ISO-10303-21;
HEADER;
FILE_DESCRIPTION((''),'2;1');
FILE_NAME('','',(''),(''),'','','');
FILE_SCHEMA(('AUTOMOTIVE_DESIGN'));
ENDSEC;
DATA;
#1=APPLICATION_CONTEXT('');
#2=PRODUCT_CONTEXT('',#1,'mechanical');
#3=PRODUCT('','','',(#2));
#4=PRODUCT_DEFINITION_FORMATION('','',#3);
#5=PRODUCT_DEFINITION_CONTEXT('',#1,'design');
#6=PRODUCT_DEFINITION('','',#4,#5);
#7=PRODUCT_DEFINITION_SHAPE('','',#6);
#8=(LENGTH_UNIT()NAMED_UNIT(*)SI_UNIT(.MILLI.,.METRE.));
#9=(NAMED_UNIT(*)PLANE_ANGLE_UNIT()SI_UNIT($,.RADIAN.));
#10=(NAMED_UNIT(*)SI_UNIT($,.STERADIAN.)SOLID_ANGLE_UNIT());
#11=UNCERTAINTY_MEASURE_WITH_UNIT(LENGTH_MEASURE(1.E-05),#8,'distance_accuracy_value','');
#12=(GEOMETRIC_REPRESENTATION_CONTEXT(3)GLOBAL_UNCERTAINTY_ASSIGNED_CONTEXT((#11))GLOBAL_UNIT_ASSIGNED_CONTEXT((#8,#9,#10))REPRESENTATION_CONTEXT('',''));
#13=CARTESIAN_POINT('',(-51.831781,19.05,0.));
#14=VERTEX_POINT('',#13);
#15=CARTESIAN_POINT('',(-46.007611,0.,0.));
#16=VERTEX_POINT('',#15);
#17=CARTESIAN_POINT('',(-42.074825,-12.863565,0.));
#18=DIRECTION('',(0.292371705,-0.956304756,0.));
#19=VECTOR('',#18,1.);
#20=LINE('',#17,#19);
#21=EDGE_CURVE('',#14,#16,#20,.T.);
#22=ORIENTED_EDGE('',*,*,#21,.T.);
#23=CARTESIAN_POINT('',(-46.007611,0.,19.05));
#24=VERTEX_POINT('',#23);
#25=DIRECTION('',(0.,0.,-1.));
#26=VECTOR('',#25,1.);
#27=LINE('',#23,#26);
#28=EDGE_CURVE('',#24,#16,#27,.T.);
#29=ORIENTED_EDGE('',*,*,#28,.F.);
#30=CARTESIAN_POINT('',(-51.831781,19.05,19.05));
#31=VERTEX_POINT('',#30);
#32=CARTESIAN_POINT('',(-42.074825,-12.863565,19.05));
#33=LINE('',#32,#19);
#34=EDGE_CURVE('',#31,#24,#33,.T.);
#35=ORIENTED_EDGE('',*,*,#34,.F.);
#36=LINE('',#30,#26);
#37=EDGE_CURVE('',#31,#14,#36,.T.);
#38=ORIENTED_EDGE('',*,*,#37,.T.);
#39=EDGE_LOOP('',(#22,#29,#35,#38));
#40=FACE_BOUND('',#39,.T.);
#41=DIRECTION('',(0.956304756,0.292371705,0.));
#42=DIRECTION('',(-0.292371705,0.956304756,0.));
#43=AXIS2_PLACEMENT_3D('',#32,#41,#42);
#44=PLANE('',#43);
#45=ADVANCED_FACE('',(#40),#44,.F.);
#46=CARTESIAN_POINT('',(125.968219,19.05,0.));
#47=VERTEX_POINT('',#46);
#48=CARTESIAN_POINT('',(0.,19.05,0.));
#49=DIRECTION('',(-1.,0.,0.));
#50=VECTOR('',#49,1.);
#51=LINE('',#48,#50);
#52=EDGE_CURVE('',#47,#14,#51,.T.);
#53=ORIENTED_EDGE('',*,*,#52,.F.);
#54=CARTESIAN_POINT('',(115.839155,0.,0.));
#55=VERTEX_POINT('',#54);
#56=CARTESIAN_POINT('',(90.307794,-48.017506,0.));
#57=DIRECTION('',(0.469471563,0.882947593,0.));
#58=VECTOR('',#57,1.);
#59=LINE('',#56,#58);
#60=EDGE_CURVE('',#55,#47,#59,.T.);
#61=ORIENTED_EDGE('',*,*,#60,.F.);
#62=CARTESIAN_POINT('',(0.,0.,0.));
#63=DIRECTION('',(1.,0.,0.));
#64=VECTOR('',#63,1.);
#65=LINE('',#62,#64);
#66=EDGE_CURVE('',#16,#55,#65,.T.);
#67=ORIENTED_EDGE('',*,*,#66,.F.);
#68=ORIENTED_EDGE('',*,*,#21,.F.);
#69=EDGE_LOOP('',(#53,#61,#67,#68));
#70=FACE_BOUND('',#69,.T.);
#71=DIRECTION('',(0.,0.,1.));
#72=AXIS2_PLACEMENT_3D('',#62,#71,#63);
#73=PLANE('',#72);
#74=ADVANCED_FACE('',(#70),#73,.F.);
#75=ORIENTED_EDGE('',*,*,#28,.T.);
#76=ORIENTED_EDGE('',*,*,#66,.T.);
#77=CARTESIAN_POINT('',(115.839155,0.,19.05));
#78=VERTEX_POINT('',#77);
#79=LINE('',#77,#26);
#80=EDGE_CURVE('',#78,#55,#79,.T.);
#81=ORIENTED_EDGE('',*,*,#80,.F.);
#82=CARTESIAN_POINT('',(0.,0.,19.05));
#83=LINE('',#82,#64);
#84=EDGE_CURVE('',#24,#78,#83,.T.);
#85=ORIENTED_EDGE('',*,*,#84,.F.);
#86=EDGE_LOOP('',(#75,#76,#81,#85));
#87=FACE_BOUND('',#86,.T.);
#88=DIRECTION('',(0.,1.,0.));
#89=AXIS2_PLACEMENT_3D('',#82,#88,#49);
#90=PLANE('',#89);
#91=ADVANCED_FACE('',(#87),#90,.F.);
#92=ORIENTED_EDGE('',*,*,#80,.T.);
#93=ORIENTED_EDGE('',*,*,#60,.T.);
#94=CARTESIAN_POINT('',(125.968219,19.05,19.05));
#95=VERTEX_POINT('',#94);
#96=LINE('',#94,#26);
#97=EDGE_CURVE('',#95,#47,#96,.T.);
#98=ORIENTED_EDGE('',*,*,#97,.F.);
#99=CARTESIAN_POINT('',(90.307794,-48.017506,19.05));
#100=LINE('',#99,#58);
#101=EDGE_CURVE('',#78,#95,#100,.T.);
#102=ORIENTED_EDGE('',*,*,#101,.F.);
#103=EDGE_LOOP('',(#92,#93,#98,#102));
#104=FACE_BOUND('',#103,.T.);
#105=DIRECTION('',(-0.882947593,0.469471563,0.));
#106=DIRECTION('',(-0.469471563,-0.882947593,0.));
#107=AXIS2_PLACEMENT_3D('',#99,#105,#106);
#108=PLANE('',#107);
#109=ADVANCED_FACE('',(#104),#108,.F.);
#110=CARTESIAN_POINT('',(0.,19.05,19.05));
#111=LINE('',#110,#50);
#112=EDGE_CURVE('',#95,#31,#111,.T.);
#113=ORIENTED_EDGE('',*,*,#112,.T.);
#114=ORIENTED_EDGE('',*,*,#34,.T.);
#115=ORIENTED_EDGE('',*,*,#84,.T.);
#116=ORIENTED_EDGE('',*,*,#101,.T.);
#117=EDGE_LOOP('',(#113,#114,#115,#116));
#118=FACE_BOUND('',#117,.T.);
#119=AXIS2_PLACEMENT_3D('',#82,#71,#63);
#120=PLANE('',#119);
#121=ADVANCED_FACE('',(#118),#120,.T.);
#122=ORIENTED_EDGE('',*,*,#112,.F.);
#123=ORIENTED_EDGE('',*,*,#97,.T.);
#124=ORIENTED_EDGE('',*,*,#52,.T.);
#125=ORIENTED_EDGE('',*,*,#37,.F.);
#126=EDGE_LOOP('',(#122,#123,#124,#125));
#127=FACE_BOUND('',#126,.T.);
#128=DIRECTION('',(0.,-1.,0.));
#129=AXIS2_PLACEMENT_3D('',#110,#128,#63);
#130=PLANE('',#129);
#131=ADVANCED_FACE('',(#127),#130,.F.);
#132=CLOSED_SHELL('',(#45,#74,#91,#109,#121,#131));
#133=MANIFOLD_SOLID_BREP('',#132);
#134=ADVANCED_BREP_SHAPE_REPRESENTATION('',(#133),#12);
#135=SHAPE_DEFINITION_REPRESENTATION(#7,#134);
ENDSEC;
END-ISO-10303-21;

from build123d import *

# Parameters (mm, degrees)
BOSS_EXTRUDE2_DEPTH = 19.05


with BuildPart() as part:
    # Sketch1 → Boss-Extrude2 (new body)
    with BuildSketch(Plane.XY):
        Polygon((-51.831780581, 19.05), (-48.91969584, 9.525), (120.903687082, 9.525), (125.968219419, 19.05), align=None)
        Polygon((-48.91969584, 9.525), (-46.0076111, 0), (115.839154746, 0), (120.903687082, 9.525), align=None)
    extrude(amount=BOSS_EXTRUDE2_DEPTH)


solid = part.part
